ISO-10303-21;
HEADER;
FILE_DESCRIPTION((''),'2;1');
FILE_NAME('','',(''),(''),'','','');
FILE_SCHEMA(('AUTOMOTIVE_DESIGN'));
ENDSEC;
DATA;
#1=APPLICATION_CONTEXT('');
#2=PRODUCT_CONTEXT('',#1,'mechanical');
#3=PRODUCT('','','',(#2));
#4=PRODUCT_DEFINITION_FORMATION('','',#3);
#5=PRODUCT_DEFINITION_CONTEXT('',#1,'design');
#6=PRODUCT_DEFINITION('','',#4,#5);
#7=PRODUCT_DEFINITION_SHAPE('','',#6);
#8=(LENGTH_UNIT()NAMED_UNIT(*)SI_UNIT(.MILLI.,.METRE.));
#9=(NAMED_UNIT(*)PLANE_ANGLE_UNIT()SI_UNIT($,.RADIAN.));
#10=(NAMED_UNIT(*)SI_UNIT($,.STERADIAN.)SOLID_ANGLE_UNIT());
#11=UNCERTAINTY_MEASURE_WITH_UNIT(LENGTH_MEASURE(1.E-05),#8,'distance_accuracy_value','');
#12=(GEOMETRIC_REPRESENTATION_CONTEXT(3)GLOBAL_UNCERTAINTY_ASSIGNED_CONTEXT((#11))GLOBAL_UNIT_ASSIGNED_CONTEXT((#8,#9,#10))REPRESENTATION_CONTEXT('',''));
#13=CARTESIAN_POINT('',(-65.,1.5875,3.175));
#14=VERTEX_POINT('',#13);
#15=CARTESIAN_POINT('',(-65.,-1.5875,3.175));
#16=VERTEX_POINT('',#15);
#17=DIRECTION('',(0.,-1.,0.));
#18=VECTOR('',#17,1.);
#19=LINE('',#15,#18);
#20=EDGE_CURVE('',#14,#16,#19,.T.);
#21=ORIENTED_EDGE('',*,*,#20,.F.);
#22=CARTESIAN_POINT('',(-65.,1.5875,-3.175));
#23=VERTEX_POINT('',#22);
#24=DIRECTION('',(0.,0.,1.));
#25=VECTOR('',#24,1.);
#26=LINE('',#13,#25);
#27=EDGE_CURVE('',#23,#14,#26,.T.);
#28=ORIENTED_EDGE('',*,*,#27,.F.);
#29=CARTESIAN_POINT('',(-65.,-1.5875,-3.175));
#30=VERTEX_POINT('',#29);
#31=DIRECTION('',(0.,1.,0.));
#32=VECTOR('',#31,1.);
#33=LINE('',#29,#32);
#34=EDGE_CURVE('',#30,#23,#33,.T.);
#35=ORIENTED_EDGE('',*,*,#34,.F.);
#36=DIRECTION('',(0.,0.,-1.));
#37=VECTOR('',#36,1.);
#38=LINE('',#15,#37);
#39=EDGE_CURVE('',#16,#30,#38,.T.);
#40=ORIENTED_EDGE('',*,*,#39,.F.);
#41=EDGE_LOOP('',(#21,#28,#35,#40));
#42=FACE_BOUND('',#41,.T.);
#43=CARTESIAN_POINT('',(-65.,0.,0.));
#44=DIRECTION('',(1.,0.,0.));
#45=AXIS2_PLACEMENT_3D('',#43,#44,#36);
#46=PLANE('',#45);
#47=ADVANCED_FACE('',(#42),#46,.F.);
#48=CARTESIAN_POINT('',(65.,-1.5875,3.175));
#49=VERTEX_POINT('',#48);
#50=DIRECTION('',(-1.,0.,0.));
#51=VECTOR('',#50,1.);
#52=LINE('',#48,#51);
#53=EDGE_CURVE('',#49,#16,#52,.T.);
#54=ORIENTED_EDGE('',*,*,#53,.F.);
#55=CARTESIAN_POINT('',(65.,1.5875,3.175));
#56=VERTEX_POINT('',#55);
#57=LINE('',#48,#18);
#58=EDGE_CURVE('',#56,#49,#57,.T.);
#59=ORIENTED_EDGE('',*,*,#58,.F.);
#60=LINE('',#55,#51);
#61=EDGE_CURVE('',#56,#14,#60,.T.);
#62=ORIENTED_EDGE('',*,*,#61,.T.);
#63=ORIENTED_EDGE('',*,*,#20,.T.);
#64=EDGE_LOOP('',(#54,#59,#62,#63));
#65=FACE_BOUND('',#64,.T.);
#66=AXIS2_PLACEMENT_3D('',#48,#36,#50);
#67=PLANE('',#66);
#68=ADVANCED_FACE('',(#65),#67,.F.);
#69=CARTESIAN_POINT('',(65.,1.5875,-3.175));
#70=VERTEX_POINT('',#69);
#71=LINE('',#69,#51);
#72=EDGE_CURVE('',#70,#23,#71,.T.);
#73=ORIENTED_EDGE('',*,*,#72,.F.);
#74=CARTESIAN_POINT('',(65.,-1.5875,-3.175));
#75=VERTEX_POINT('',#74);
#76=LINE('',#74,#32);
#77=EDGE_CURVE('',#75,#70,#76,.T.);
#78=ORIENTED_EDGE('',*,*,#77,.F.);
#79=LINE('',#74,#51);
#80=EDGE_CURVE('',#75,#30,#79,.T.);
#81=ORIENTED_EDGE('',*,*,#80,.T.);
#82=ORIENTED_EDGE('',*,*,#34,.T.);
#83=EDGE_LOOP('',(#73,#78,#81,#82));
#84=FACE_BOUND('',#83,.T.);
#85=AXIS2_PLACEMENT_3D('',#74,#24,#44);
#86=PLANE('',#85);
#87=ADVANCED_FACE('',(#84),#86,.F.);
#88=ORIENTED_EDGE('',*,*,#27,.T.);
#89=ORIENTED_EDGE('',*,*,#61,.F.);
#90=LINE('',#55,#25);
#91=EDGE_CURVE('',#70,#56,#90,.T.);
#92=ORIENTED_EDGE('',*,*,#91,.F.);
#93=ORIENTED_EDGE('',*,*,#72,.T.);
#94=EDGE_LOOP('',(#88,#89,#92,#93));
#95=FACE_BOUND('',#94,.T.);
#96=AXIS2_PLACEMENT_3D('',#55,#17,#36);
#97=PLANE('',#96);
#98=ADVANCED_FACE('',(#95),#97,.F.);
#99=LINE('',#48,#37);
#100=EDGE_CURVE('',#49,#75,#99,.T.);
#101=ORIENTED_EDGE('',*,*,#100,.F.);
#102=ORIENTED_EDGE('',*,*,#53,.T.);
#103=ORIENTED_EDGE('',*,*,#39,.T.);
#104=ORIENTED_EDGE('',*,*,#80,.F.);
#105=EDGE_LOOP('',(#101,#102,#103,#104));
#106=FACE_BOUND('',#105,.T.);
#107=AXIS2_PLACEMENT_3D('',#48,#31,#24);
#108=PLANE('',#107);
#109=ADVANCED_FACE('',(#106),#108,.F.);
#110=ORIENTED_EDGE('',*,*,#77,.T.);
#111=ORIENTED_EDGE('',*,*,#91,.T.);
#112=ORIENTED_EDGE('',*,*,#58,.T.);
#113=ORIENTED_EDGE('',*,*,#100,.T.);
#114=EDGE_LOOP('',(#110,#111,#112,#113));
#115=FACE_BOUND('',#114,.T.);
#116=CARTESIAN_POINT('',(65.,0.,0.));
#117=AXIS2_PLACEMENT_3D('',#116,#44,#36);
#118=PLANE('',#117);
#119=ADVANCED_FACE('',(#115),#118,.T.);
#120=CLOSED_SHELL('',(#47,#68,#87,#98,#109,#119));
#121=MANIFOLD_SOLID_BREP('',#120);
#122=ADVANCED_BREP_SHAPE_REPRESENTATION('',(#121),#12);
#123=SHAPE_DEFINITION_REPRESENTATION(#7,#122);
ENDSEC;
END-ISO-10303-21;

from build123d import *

# Parameters (mm, degrees)
BOSS_EXTRUDE1_DEPTH      = 65
BOSS_EXTRUDE1_DEPTH_BACK = 65
SKETCH3_W                = 6.35
SKETCH3_H                = 3.175


with BuildPart() as part:
    # Sketch3 → Boss-Extrude1 (new, two sides: drawn at the far end of the back side and taken through both)
    with BuildSketch(Plane(origin=(0, 0, 0), x_dir=(0, 0, -1), z_dir=(1, 0, 0)).offset(-BOSS_EXTRUDE1_DEPTH_BACK)):
        Rectangle(SKETCH3_W, SKETCH3_H)
    extrude(amount=BOSS_EXTRUDE1_DEPTH + BOSS_EXTRUDE1_DEPTH_BACK)


solid = part.part
